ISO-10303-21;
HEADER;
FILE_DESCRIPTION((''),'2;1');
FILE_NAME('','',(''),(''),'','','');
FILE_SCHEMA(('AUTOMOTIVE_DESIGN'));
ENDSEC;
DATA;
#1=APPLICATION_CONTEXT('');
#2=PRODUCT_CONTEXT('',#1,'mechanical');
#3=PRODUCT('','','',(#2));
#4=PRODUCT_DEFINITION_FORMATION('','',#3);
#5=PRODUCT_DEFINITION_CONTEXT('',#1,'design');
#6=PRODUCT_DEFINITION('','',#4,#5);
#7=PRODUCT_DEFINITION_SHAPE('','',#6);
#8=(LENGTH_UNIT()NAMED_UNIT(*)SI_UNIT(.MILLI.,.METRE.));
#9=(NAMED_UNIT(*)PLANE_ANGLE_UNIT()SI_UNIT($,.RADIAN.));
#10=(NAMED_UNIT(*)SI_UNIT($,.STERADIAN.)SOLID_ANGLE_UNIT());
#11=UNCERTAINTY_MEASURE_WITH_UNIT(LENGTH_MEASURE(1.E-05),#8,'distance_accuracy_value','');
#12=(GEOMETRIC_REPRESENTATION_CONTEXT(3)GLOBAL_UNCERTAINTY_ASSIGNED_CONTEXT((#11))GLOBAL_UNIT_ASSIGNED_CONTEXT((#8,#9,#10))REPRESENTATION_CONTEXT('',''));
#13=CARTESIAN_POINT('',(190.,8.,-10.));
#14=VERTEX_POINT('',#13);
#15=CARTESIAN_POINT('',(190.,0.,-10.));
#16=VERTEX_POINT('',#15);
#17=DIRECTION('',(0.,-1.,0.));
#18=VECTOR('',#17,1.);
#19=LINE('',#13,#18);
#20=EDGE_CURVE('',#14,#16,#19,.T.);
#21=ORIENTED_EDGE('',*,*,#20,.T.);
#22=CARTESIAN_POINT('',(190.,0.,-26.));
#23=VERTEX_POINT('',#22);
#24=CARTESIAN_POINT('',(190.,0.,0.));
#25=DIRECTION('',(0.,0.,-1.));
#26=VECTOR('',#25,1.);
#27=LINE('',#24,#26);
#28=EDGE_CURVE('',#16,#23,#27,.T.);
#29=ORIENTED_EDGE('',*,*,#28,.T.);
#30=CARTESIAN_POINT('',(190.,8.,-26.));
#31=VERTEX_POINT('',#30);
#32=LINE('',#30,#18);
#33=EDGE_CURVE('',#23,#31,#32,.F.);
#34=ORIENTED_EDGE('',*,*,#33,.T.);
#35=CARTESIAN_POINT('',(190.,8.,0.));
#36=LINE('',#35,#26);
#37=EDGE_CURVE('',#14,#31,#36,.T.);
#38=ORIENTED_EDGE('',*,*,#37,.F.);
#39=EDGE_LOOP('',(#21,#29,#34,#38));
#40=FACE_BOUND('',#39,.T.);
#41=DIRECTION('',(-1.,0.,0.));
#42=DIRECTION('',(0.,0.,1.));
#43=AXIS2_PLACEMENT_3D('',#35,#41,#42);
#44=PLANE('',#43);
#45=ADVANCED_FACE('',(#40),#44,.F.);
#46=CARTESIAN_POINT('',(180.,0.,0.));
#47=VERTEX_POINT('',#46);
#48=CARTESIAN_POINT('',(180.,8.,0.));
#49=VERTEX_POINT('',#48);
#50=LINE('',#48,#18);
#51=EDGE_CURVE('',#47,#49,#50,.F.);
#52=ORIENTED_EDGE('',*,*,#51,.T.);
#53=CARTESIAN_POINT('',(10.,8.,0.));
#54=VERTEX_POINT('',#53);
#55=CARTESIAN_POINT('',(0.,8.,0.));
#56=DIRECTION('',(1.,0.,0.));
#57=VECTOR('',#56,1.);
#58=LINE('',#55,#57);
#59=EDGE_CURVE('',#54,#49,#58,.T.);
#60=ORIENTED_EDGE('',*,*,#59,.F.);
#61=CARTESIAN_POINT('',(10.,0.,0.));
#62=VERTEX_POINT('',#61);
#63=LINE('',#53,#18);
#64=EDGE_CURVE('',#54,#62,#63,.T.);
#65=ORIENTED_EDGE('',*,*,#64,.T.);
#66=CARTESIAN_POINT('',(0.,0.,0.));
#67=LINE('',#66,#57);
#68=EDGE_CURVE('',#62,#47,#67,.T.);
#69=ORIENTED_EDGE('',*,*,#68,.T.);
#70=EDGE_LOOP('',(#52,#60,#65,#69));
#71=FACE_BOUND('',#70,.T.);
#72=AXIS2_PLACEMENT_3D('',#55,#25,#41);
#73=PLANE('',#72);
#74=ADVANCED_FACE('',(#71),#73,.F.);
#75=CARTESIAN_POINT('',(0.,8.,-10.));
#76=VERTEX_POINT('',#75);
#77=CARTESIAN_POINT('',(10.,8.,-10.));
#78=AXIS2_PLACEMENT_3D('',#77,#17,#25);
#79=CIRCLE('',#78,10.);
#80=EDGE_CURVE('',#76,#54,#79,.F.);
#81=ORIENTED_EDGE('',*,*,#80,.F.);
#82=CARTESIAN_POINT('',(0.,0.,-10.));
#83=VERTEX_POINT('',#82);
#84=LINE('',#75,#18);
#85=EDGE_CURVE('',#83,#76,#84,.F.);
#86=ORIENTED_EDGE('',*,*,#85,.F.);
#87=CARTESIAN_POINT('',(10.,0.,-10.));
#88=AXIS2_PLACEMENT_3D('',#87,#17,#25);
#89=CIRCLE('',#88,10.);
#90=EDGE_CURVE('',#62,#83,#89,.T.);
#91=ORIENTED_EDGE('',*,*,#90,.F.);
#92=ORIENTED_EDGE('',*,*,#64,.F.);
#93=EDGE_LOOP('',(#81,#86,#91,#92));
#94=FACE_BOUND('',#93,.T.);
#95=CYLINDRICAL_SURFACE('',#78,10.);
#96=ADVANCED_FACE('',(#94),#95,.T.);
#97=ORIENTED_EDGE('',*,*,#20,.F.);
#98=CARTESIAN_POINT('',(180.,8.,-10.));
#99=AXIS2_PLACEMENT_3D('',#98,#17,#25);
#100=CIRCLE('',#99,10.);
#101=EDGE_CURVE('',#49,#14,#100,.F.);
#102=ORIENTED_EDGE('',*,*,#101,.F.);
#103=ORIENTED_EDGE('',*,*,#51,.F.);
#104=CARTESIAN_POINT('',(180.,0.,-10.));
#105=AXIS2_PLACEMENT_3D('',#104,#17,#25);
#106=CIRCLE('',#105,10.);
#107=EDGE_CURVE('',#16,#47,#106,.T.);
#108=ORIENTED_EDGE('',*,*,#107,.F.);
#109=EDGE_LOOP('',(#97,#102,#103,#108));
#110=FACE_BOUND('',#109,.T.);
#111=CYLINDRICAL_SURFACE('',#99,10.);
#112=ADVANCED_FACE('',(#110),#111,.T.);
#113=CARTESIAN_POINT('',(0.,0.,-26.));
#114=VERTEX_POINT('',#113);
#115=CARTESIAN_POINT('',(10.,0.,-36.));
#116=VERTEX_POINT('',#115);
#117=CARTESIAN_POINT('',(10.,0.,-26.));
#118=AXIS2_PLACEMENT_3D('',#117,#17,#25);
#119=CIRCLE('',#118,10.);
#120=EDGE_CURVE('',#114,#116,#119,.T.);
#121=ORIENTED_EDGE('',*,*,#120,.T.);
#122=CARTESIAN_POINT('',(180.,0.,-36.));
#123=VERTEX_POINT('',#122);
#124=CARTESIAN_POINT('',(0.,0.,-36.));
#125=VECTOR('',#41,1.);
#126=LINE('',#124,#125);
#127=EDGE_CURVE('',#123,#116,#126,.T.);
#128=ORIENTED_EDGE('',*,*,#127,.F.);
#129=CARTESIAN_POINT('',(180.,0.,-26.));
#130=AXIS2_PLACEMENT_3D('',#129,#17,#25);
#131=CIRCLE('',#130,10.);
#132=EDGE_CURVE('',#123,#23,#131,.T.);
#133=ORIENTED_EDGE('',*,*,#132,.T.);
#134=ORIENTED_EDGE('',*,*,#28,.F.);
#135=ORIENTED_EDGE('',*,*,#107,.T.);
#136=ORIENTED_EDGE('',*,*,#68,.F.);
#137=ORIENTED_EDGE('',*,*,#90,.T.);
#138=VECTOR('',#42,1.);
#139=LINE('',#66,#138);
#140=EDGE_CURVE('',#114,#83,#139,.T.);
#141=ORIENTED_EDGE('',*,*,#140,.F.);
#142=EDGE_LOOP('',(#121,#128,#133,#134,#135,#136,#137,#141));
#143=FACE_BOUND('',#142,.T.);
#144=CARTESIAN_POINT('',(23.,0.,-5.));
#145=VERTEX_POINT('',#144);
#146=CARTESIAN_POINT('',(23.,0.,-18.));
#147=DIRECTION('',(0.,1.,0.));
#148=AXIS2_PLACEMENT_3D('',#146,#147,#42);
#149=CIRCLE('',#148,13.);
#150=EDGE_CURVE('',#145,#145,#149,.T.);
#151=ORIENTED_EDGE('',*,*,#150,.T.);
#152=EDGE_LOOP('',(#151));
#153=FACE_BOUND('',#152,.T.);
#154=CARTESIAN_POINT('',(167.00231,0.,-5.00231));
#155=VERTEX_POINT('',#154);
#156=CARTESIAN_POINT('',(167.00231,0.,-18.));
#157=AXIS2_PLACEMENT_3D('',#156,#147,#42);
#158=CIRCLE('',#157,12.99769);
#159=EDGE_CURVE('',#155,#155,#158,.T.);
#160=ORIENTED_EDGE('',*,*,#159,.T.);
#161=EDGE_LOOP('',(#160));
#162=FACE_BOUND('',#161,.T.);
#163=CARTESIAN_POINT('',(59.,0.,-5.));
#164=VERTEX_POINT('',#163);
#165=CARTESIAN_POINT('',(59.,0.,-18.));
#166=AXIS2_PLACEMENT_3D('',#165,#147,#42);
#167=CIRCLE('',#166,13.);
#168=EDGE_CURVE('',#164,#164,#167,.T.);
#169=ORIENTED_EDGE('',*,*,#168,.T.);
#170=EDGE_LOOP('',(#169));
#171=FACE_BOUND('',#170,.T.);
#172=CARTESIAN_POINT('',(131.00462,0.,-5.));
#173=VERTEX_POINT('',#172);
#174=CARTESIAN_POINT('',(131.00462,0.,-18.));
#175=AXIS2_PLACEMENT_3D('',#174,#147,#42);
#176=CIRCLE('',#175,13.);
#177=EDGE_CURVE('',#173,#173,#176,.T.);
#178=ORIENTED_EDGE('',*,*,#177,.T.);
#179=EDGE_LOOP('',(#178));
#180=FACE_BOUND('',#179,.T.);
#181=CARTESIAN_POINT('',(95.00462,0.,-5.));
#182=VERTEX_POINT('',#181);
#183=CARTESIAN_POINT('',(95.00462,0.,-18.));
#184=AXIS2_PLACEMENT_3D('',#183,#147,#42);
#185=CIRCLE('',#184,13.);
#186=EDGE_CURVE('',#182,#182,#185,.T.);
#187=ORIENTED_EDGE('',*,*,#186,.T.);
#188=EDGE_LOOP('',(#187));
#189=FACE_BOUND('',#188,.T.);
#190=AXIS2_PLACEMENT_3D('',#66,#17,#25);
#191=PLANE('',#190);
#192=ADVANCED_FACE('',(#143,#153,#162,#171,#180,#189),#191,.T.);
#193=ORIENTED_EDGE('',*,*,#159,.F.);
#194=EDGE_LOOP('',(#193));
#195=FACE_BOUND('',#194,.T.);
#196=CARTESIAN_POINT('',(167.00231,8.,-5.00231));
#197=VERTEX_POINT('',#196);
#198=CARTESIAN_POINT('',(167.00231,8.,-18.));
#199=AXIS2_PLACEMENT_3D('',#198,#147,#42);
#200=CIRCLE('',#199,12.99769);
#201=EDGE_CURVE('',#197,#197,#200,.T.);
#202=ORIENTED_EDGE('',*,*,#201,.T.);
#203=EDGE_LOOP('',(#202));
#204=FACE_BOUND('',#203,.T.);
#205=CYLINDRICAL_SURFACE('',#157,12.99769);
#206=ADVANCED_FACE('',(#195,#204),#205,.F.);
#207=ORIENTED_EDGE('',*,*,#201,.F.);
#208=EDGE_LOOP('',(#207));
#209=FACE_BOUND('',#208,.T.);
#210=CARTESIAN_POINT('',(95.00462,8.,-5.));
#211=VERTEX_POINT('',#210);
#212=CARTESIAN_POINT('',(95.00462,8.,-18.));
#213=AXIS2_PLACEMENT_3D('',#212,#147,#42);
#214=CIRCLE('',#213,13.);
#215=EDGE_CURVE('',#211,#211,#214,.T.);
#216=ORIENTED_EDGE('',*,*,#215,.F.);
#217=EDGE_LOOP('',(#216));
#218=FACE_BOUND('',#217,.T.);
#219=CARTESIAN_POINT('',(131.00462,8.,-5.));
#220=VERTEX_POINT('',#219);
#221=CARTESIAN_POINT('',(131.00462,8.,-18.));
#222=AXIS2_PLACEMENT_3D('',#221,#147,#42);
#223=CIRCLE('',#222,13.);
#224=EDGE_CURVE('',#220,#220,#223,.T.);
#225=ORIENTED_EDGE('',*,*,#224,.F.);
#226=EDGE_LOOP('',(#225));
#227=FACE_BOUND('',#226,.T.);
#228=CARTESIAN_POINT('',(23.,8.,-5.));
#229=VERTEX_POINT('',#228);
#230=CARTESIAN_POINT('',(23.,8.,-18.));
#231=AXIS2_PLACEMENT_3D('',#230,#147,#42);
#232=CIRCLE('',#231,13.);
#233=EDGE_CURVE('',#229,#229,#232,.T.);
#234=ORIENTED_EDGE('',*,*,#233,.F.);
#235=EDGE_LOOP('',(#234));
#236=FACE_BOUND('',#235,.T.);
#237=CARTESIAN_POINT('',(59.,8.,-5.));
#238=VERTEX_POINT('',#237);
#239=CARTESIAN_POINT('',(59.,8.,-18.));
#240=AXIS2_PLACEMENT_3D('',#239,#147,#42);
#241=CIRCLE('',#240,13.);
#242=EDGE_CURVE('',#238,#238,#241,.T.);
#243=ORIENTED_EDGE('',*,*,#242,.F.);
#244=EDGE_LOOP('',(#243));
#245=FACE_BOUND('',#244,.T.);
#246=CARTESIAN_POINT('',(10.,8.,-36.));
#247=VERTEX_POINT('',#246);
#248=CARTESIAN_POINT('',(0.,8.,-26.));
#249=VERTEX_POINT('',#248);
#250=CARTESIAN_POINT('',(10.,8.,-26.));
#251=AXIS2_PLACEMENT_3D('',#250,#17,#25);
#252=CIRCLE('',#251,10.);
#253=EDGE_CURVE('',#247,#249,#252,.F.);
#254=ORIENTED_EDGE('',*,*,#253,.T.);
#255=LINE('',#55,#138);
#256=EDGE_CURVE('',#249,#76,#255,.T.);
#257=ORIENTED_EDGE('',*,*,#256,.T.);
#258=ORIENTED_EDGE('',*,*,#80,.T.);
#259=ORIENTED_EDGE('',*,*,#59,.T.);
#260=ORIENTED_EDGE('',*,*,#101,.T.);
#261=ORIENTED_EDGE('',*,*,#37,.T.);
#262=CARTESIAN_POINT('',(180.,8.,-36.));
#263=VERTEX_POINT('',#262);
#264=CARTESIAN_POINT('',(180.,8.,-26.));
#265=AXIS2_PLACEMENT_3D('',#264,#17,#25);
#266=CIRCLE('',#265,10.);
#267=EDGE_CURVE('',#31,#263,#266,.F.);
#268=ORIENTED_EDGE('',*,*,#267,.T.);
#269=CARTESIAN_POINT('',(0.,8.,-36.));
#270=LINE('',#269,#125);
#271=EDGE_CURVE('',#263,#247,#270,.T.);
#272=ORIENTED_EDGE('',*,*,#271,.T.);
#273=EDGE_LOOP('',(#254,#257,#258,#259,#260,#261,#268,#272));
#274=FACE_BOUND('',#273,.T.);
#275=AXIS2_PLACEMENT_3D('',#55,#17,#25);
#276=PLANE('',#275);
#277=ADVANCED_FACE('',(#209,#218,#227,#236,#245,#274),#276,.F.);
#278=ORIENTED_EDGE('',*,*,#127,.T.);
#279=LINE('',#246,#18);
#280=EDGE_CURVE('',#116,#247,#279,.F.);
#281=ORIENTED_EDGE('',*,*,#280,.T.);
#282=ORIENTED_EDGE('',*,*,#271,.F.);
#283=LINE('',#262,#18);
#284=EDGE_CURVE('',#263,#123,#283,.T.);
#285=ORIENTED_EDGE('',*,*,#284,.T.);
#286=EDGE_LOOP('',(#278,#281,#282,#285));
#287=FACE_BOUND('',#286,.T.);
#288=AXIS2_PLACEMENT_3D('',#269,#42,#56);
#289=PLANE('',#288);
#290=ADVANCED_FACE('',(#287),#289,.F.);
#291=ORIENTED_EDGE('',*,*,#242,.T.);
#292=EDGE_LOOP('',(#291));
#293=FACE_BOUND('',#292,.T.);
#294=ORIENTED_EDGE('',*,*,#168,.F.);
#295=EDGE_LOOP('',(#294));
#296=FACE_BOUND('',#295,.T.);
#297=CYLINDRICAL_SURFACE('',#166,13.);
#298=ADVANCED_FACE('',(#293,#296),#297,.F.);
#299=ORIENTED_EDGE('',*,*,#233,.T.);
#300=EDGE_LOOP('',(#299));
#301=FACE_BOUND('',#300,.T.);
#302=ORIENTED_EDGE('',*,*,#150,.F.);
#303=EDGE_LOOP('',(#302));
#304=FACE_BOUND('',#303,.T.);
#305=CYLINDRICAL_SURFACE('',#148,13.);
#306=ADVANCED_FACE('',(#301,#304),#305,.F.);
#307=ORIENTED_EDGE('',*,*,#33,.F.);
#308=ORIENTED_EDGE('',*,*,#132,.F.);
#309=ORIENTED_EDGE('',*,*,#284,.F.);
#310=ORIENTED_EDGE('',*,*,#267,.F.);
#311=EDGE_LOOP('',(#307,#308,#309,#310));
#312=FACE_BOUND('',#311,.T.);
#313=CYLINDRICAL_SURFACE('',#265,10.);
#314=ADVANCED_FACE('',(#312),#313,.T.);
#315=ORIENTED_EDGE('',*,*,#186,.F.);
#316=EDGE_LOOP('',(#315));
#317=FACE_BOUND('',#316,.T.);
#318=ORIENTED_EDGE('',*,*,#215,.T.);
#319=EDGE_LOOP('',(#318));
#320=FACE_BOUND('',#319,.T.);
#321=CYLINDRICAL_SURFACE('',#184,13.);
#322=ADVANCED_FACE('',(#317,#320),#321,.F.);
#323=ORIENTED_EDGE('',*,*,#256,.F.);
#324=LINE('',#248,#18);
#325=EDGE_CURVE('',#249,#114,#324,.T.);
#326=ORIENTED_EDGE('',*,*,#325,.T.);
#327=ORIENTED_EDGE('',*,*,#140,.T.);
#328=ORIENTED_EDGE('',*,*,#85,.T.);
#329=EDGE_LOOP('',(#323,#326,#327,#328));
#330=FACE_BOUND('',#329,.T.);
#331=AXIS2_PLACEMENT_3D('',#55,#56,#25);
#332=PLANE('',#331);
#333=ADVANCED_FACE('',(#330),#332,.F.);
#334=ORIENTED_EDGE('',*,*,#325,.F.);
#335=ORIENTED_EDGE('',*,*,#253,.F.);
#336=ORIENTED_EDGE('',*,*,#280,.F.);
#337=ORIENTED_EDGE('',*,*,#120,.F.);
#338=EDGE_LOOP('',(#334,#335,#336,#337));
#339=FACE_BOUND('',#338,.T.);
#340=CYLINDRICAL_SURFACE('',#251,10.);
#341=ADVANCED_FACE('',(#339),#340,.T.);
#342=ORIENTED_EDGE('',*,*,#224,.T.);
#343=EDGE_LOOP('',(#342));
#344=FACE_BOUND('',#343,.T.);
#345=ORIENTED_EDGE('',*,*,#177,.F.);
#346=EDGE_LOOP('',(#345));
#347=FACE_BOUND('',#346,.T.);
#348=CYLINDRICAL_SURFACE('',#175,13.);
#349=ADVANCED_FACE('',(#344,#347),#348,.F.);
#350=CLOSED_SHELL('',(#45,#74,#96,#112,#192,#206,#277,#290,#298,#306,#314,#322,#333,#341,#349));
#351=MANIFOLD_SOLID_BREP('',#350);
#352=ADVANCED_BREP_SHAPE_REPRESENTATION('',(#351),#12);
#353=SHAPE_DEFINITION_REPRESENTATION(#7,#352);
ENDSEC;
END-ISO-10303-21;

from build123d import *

# Parameters (mm, degrees)
SKETCH5_W           = 190
SKETCH5_H           = 36
BOSS_EXTRUDE1_DEPTH = 8
SKETCH6_R           = 13
SKETCH6_R_2         = 12.99768992
CUT_EXTRUDE1_DEPTH  = 8
FILLET2_R           = 10


with BuildPart() as part:
    # Sketch5 → Boss-Extrude1 (new body)
    with BuildSketch(Plane(origin=(0, 0, 0), x_dir=(1, 0, 0), z_dir=(0, 1, 0))):
        with Locations((95, 18)):
            Rectangle(SKETCH5_W, SKETCH5_H)
    extrude(amount=BOSS_EXTRUDE1_DEPTH)

    # Sketch6 → Cut-Extrude1 (cut)
    with BuildSketch(Plane(origin=(0, 8, 0), x_dir=(1, 0, 0), z_dir=(0, 1, 0))):
        with Locations(Location((23, 18, 0), (0, 0, 270))):
            Circle(SKETCH6_R)
        with Locations(Location((59, 18, 0), (0, 0, 270))):
            Circle(SKETCH6_R)
        with Locations(Location((95.004620161, 18, 0), (0, 0, 270))):
            Circle(SKETCH6_R)
        with Locations(Location((131.004620161, 18, 0), (0, 0, 270))):
            Circle(SKETCH6_R)
        with Locations(Location((167.00231008, 18, 0), (0, 0, 270))):
            Circle(SKETCH6_R_2)
    extrude(amount=-CUT_EXTRUDE1_DEPTH, mode=Mode.SUBTRACT)

    # Fillet2
    fillet2_edges = [part.edges().sort_by_distance(p)[0] for p in [
        (0, 4, -36),
        (190, 4, -36),
        (190, 4, 0),
        (0, 4, 0),
    ]]
    fillet(fillet2_edges, radius=FILLET2_R)


solid = part.part
